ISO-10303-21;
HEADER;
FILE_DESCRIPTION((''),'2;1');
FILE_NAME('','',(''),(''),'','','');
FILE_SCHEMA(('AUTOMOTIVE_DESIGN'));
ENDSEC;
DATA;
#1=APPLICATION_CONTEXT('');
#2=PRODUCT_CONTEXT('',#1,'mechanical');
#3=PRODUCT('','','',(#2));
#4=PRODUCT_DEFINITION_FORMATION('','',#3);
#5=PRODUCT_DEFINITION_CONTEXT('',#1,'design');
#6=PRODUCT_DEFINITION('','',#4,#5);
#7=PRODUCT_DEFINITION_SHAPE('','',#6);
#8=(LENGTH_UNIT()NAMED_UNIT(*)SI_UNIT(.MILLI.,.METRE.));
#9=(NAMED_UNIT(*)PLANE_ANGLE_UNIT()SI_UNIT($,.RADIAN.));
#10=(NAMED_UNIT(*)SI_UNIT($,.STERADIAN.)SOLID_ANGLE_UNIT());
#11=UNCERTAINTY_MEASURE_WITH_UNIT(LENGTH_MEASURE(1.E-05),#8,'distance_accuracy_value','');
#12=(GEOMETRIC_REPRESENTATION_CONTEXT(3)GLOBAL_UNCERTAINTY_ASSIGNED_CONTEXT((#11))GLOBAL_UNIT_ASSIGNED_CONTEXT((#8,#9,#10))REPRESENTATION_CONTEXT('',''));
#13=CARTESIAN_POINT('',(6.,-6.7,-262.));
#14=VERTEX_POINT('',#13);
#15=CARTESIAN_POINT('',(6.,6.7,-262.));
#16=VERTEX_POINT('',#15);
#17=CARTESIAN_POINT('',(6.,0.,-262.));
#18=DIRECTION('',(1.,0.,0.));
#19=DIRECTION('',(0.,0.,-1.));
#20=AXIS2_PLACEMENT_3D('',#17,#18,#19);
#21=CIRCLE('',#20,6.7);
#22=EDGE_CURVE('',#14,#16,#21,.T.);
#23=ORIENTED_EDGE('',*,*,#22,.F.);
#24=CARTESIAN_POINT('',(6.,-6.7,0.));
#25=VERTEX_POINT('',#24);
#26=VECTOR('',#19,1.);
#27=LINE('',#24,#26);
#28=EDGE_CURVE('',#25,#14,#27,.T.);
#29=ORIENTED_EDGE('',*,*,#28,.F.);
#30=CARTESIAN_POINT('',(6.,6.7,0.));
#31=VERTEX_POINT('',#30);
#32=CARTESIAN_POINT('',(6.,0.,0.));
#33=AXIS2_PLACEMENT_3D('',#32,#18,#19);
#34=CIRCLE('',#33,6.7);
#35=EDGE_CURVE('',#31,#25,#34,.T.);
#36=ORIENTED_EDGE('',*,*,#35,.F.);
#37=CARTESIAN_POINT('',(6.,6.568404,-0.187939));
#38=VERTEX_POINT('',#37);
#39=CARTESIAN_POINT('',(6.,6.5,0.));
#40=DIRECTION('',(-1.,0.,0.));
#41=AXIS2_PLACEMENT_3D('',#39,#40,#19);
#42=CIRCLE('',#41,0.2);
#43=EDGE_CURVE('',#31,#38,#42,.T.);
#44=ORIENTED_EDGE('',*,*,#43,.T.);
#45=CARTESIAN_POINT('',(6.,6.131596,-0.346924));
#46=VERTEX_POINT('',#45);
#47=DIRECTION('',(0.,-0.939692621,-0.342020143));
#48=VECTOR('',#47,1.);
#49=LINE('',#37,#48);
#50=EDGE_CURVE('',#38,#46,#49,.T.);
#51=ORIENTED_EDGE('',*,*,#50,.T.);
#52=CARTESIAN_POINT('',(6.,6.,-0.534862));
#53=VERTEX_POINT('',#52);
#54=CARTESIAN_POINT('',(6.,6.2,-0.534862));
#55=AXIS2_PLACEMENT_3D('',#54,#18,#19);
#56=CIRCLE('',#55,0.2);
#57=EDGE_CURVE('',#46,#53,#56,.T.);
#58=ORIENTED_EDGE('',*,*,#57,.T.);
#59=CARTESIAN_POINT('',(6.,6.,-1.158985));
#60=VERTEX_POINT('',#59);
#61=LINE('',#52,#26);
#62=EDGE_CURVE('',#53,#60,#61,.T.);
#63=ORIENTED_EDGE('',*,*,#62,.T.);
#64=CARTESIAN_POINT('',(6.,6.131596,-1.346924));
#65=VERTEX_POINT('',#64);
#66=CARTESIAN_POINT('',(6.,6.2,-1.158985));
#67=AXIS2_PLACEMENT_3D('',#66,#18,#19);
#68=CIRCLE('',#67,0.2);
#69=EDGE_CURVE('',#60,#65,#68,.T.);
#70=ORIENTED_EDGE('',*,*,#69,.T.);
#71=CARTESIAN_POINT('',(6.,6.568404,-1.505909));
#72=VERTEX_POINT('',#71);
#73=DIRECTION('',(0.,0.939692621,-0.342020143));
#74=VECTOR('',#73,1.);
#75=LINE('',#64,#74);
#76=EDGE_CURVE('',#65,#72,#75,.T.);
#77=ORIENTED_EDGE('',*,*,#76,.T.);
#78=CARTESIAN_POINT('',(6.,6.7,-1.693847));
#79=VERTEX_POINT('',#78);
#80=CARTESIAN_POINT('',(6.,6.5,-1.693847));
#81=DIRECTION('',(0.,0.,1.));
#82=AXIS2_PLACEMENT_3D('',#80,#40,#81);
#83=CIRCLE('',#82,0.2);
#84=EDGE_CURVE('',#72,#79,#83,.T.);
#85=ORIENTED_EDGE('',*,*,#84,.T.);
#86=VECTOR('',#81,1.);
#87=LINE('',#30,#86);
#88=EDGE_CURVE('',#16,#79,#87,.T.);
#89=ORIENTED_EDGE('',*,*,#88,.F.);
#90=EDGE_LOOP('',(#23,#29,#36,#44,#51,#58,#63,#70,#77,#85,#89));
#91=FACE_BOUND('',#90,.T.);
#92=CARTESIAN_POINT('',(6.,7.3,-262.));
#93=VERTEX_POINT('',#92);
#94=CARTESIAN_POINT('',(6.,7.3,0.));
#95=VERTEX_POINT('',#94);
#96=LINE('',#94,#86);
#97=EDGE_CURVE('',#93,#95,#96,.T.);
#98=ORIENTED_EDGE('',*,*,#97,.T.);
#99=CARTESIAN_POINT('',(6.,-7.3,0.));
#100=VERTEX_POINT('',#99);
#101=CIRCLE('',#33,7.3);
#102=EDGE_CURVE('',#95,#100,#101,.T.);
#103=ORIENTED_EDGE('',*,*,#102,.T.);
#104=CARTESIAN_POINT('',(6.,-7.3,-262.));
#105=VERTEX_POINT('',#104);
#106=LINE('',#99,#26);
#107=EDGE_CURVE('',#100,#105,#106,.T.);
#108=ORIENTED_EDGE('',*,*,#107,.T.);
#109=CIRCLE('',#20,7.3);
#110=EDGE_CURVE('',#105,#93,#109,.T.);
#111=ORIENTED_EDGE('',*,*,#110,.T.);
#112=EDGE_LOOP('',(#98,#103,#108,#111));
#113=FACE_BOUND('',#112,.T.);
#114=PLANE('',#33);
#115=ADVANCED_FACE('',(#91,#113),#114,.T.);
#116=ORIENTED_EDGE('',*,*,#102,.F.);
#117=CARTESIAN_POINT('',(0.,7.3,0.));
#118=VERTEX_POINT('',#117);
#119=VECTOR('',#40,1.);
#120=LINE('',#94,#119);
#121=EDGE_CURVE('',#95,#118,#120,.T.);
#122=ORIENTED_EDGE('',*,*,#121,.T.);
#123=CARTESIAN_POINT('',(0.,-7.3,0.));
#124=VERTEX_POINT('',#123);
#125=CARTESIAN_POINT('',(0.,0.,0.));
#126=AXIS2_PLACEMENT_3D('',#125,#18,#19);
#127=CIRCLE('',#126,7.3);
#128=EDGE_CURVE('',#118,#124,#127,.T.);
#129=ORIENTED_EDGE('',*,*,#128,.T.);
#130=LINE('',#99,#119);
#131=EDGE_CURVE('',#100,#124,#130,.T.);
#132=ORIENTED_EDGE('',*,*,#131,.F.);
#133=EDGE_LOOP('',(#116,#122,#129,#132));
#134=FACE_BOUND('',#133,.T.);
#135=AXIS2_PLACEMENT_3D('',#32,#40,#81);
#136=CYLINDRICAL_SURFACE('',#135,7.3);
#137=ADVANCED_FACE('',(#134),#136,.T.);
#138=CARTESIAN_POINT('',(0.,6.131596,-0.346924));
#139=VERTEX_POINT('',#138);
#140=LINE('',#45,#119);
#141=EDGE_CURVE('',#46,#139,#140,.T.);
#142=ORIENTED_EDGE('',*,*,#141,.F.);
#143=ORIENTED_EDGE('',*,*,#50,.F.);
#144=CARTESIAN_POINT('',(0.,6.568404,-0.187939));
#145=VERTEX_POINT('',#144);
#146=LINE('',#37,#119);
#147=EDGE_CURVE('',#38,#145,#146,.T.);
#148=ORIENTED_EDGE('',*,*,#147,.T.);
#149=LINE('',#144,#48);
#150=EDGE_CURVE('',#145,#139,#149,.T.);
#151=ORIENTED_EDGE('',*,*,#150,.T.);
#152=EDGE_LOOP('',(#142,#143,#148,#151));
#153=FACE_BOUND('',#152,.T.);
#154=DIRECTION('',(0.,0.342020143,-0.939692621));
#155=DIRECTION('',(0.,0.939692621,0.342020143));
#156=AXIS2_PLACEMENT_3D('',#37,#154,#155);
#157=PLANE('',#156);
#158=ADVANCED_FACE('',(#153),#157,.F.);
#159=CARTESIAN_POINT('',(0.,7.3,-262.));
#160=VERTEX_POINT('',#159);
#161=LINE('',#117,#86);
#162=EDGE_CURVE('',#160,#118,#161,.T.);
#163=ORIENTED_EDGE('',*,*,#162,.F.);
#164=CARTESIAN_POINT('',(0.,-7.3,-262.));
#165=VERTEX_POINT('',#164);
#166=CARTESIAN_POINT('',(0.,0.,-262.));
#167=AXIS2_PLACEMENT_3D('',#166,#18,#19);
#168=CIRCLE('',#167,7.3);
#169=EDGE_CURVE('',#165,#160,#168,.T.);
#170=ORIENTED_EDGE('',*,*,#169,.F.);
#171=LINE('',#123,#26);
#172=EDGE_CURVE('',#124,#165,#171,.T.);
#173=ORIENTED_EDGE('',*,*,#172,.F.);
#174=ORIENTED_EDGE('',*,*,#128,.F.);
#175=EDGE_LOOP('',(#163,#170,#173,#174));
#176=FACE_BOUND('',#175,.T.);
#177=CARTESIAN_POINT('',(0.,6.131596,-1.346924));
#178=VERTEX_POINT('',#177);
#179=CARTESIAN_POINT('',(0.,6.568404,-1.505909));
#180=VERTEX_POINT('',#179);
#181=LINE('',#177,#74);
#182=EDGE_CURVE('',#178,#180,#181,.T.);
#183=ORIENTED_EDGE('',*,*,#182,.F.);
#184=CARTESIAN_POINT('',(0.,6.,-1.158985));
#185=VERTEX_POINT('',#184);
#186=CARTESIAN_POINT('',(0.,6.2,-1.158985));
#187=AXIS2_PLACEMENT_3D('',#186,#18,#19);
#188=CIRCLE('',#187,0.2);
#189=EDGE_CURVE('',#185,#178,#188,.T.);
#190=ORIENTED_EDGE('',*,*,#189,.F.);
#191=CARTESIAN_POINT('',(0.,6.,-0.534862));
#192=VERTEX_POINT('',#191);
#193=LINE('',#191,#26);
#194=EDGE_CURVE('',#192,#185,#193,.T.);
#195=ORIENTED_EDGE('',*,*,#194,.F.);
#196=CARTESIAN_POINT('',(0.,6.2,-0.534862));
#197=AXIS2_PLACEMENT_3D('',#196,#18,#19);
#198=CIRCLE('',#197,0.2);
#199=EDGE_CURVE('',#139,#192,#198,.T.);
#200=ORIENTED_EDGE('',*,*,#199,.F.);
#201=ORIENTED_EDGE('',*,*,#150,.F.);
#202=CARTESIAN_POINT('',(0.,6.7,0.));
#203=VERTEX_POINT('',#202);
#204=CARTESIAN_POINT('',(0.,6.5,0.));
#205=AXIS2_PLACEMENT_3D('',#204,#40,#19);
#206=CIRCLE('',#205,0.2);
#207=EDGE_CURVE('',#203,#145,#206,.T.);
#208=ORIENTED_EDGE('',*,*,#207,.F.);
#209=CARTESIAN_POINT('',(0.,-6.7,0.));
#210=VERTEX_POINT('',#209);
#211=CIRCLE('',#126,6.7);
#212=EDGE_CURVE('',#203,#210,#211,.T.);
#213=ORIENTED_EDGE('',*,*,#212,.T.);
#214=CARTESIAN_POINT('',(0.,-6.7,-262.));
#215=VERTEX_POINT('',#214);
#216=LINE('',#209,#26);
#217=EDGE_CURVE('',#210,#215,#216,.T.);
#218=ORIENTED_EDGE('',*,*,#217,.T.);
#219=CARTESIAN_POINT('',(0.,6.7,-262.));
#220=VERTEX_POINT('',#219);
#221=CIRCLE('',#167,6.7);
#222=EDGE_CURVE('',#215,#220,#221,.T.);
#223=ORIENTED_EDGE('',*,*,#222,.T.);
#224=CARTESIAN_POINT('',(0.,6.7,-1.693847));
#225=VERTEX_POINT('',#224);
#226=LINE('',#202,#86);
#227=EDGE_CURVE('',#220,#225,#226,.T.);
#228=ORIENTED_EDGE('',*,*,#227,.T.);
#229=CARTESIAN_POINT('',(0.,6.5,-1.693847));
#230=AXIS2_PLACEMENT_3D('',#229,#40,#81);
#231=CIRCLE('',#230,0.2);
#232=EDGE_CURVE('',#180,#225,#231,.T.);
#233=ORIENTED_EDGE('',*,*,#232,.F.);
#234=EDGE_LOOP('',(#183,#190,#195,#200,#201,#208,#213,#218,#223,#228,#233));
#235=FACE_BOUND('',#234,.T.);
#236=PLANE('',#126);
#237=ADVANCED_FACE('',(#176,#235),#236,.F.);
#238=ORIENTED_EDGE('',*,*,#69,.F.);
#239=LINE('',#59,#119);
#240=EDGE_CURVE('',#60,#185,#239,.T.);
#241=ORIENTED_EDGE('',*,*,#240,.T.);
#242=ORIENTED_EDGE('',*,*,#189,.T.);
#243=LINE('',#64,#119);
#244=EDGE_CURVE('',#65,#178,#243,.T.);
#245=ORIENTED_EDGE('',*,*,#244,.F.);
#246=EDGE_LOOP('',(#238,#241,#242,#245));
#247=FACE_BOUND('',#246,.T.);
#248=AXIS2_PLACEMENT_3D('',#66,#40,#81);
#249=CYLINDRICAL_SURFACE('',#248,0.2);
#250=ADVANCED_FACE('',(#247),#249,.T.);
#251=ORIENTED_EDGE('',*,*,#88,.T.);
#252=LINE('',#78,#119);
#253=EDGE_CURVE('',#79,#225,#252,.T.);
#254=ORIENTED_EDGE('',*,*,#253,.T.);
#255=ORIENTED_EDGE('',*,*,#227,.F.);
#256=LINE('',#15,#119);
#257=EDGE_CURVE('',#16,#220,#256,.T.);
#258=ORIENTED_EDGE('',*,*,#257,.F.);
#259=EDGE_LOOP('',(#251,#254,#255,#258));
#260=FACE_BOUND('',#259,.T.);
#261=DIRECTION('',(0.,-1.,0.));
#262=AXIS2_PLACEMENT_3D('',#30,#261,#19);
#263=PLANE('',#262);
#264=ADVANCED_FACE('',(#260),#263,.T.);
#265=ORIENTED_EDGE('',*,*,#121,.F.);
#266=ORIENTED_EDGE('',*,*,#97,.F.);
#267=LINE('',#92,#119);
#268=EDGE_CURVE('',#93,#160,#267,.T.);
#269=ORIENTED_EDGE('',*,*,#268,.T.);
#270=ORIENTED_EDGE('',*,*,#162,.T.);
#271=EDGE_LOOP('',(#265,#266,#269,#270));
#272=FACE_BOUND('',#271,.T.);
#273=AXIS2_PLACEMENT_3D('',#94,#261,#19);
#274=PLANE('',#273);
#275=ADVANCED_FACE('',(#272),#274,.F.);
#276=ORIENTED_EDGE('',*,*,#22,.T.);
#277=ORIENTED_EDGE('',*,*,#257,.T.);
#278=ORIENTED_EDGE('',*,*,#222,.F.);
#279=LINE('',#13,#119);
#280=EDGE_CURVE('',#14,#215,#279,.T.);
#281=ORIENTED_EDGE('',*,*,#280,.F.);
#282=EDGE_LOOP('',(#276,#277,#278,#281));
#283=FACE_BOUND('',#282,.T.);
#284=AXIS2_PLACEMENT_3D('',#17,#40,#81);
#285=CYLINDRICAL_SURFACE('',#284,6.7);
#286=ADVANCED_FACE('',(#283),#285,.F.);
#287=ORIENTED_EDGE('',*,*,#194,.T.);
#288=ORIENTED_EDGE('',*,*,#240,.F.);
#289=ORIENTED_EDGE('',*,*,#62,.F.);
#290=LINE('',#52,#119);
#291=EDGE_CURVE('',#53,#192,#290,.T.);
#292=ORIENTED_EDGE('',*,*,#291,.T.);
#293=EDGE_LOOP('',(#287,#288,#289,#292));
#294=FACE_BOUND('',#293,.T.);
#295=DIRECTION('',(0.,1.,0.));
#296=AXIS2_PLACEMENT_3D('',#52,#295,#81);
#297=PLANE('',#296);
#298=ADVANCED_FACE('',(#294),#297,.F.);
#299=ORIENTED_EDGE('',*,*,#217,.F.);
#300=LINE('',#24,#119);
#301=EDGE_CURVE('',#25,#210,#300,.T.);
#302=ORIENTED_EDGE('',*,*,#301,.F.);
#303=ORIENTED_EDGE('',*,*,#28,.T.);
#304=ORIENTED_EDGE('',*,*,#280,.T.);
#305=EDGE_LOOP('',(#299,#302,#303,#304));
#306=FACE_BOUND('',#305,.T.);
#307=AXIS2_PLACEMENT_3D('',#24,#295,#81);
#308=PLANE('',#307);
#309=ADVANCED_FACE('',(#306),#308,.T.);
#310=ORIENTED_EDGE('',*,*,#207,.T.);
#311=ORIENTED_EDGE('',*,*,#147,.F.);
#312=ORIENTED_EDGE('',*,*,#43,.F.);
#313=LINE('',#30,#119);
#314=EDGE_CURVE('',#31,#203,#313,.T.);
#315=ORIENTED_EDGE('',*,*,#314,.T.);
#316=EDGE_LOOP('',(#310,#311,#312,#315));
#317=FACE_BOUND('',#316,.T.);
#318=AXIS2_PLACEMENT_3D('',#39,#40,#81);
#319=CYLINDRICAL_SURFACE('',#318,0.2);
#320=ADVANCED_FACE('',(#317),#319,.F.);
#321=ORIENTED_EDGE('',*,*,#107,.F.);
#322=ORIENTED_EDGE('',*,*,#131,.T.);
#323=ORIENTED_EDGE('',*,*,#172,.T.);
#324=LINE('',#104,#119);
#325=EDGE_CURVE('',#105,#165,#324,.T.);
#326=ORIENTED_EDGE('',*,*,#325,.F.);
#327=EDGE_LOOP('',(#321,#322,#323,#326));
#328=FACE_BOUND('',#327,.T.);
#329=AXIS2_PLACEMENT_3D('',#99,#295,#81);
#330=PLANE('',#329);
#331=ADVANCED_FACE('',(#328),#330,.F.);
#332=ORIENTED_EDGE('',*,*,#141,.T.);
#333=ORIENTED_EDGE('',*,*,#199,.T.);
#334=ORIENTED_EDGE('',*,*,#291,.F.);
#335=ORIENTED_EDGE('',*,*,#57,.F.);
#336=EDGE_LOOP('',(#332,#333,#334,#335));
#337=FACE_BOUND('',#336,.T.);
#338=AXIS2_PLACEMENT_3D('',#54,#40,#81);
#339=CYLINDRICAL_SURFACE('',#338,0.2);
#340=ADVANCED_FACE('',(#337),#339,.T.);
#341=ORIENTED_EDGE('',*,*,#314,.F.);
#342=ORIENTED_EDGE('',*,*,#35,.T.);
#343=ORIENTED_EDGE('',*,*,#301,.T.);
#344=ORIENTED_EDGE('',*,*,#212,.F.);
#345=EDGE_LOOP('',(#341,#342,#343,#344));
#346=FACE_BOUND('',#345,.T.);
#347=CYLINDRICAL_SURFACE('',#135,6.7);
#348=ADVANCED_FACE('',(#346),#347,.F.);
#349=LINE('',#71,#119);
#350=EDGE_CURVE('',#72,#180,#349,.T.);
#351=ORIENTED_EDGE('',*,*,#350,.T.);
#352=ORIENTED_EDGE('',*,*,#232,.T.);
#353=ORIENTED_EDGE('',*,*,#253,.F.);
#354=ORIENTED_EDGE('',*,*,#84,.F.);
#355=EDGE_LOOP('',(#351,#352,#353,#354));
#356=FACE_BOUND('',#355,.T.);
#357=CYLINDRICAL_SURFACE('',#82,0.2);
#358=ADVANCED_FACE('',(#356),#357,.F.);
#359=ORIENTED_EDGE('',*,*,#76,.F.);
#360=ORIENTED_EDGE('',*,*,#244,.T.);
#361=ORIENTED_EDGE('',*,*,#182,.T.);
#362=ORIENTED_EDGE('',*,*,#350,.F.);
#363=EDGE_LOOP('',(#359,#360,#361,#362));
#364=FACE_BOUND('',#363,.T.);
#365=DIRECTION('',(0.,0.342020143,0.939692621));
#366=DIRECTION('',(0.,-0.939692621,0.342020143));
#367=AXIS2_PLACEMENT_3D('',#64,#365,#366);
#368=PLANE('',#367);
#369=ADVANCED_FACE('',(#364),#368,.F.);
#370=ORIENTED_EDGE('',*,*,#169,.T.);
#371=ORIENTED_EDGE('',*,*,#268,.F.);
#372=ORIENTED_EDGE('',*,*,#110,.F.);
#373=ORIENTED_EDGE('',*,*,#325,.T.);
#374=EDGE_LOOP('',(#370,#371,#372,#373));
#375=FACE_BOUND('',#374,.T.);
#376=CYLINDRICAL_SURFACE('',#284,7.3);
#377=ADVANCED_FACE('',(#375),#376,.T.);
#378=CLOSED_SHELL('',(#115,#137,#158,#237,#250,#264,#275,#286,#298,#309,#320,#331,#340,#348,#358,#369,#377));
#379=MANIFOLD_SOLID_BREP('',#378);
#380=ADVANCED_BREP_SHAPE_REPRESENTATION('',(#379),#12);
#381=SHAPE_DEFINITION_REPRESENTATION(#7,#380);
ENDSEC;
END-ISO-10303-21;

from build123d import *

# Parameters (mm, degrees)
BOSS_EXTRUDE1_DEPTH = 6
BOSS_EXTRUDE2_DEPTH = 6


with BuildPart() as part:
    # Sketch1 → Boss-Extrude1 (new body)
    with BuildSketch(Plane(origin=(0, 0, 0), x_dir=(0, 0, -1), z_dir=(1, 0, 0))):
        with BuildLine():
            Line((0, 7.3), (262, 7.3))
            ThreePointArc((262, 7.3), (269.3, 0), (262, -7.3))
            Line((262, -7.3), (0, -7.3))
            ThreePointArc((0, -7.3), (-7.3, 0), (0, 7.3))
        make_face()
        with BuildLine():
            Line((0, 6.7), (262, 6.7))
            ThreePointArc((262, 6.7), (268.7, 0), (262, -6.7))
            Line((262, -6.7), (0, -6.7))
            ThreePointArc((0, -6.7), (-6.7, 0), (0, 6.7))
        make_face(mode=Mode.SUBTRACT)
    extrude(amount=BOSS_EXTRUDE1_DEPTH)

    # Sketch2 → Boss-Extrude2 (add, through all)
    with BuildSketch(Plane(origin=(0, 0, 0), x_dir=(0, 0, -1), z_dir=(1, 0, 0))):
        with BuildLine():
            Line((0.187938524, 6.568404029), (0.346923655, 6.131595971))
            ThreePointArc((0.346923655, 6.131595971), (0.420146892, 6.036169591), (0.534862179, 6))
            Line((0.534862179, 6), (1.158985131, 6))
            ThreePointArc((1.158985131, 6), (1.273700418, 6.036169591), (1.346923655, 6.131595971))
            Line((1.346923655, 6.131595971), (1.505908786, 6.568404029))
            ThreePointArc((1.505908786, 6.568404029), (1.579132023, 6.663830409), (1.69384731, 6.7))
            Line((1.69384731, 6.7), (0, 6.7))
            ThreePointArc((0, 6.7), (0.114715287, 6.663830409), (0.187938524, 6.568404029))
        make_face()
    extrude(amount=BOSS_EXTRUDE2_DEPTH)


solid = part.part
